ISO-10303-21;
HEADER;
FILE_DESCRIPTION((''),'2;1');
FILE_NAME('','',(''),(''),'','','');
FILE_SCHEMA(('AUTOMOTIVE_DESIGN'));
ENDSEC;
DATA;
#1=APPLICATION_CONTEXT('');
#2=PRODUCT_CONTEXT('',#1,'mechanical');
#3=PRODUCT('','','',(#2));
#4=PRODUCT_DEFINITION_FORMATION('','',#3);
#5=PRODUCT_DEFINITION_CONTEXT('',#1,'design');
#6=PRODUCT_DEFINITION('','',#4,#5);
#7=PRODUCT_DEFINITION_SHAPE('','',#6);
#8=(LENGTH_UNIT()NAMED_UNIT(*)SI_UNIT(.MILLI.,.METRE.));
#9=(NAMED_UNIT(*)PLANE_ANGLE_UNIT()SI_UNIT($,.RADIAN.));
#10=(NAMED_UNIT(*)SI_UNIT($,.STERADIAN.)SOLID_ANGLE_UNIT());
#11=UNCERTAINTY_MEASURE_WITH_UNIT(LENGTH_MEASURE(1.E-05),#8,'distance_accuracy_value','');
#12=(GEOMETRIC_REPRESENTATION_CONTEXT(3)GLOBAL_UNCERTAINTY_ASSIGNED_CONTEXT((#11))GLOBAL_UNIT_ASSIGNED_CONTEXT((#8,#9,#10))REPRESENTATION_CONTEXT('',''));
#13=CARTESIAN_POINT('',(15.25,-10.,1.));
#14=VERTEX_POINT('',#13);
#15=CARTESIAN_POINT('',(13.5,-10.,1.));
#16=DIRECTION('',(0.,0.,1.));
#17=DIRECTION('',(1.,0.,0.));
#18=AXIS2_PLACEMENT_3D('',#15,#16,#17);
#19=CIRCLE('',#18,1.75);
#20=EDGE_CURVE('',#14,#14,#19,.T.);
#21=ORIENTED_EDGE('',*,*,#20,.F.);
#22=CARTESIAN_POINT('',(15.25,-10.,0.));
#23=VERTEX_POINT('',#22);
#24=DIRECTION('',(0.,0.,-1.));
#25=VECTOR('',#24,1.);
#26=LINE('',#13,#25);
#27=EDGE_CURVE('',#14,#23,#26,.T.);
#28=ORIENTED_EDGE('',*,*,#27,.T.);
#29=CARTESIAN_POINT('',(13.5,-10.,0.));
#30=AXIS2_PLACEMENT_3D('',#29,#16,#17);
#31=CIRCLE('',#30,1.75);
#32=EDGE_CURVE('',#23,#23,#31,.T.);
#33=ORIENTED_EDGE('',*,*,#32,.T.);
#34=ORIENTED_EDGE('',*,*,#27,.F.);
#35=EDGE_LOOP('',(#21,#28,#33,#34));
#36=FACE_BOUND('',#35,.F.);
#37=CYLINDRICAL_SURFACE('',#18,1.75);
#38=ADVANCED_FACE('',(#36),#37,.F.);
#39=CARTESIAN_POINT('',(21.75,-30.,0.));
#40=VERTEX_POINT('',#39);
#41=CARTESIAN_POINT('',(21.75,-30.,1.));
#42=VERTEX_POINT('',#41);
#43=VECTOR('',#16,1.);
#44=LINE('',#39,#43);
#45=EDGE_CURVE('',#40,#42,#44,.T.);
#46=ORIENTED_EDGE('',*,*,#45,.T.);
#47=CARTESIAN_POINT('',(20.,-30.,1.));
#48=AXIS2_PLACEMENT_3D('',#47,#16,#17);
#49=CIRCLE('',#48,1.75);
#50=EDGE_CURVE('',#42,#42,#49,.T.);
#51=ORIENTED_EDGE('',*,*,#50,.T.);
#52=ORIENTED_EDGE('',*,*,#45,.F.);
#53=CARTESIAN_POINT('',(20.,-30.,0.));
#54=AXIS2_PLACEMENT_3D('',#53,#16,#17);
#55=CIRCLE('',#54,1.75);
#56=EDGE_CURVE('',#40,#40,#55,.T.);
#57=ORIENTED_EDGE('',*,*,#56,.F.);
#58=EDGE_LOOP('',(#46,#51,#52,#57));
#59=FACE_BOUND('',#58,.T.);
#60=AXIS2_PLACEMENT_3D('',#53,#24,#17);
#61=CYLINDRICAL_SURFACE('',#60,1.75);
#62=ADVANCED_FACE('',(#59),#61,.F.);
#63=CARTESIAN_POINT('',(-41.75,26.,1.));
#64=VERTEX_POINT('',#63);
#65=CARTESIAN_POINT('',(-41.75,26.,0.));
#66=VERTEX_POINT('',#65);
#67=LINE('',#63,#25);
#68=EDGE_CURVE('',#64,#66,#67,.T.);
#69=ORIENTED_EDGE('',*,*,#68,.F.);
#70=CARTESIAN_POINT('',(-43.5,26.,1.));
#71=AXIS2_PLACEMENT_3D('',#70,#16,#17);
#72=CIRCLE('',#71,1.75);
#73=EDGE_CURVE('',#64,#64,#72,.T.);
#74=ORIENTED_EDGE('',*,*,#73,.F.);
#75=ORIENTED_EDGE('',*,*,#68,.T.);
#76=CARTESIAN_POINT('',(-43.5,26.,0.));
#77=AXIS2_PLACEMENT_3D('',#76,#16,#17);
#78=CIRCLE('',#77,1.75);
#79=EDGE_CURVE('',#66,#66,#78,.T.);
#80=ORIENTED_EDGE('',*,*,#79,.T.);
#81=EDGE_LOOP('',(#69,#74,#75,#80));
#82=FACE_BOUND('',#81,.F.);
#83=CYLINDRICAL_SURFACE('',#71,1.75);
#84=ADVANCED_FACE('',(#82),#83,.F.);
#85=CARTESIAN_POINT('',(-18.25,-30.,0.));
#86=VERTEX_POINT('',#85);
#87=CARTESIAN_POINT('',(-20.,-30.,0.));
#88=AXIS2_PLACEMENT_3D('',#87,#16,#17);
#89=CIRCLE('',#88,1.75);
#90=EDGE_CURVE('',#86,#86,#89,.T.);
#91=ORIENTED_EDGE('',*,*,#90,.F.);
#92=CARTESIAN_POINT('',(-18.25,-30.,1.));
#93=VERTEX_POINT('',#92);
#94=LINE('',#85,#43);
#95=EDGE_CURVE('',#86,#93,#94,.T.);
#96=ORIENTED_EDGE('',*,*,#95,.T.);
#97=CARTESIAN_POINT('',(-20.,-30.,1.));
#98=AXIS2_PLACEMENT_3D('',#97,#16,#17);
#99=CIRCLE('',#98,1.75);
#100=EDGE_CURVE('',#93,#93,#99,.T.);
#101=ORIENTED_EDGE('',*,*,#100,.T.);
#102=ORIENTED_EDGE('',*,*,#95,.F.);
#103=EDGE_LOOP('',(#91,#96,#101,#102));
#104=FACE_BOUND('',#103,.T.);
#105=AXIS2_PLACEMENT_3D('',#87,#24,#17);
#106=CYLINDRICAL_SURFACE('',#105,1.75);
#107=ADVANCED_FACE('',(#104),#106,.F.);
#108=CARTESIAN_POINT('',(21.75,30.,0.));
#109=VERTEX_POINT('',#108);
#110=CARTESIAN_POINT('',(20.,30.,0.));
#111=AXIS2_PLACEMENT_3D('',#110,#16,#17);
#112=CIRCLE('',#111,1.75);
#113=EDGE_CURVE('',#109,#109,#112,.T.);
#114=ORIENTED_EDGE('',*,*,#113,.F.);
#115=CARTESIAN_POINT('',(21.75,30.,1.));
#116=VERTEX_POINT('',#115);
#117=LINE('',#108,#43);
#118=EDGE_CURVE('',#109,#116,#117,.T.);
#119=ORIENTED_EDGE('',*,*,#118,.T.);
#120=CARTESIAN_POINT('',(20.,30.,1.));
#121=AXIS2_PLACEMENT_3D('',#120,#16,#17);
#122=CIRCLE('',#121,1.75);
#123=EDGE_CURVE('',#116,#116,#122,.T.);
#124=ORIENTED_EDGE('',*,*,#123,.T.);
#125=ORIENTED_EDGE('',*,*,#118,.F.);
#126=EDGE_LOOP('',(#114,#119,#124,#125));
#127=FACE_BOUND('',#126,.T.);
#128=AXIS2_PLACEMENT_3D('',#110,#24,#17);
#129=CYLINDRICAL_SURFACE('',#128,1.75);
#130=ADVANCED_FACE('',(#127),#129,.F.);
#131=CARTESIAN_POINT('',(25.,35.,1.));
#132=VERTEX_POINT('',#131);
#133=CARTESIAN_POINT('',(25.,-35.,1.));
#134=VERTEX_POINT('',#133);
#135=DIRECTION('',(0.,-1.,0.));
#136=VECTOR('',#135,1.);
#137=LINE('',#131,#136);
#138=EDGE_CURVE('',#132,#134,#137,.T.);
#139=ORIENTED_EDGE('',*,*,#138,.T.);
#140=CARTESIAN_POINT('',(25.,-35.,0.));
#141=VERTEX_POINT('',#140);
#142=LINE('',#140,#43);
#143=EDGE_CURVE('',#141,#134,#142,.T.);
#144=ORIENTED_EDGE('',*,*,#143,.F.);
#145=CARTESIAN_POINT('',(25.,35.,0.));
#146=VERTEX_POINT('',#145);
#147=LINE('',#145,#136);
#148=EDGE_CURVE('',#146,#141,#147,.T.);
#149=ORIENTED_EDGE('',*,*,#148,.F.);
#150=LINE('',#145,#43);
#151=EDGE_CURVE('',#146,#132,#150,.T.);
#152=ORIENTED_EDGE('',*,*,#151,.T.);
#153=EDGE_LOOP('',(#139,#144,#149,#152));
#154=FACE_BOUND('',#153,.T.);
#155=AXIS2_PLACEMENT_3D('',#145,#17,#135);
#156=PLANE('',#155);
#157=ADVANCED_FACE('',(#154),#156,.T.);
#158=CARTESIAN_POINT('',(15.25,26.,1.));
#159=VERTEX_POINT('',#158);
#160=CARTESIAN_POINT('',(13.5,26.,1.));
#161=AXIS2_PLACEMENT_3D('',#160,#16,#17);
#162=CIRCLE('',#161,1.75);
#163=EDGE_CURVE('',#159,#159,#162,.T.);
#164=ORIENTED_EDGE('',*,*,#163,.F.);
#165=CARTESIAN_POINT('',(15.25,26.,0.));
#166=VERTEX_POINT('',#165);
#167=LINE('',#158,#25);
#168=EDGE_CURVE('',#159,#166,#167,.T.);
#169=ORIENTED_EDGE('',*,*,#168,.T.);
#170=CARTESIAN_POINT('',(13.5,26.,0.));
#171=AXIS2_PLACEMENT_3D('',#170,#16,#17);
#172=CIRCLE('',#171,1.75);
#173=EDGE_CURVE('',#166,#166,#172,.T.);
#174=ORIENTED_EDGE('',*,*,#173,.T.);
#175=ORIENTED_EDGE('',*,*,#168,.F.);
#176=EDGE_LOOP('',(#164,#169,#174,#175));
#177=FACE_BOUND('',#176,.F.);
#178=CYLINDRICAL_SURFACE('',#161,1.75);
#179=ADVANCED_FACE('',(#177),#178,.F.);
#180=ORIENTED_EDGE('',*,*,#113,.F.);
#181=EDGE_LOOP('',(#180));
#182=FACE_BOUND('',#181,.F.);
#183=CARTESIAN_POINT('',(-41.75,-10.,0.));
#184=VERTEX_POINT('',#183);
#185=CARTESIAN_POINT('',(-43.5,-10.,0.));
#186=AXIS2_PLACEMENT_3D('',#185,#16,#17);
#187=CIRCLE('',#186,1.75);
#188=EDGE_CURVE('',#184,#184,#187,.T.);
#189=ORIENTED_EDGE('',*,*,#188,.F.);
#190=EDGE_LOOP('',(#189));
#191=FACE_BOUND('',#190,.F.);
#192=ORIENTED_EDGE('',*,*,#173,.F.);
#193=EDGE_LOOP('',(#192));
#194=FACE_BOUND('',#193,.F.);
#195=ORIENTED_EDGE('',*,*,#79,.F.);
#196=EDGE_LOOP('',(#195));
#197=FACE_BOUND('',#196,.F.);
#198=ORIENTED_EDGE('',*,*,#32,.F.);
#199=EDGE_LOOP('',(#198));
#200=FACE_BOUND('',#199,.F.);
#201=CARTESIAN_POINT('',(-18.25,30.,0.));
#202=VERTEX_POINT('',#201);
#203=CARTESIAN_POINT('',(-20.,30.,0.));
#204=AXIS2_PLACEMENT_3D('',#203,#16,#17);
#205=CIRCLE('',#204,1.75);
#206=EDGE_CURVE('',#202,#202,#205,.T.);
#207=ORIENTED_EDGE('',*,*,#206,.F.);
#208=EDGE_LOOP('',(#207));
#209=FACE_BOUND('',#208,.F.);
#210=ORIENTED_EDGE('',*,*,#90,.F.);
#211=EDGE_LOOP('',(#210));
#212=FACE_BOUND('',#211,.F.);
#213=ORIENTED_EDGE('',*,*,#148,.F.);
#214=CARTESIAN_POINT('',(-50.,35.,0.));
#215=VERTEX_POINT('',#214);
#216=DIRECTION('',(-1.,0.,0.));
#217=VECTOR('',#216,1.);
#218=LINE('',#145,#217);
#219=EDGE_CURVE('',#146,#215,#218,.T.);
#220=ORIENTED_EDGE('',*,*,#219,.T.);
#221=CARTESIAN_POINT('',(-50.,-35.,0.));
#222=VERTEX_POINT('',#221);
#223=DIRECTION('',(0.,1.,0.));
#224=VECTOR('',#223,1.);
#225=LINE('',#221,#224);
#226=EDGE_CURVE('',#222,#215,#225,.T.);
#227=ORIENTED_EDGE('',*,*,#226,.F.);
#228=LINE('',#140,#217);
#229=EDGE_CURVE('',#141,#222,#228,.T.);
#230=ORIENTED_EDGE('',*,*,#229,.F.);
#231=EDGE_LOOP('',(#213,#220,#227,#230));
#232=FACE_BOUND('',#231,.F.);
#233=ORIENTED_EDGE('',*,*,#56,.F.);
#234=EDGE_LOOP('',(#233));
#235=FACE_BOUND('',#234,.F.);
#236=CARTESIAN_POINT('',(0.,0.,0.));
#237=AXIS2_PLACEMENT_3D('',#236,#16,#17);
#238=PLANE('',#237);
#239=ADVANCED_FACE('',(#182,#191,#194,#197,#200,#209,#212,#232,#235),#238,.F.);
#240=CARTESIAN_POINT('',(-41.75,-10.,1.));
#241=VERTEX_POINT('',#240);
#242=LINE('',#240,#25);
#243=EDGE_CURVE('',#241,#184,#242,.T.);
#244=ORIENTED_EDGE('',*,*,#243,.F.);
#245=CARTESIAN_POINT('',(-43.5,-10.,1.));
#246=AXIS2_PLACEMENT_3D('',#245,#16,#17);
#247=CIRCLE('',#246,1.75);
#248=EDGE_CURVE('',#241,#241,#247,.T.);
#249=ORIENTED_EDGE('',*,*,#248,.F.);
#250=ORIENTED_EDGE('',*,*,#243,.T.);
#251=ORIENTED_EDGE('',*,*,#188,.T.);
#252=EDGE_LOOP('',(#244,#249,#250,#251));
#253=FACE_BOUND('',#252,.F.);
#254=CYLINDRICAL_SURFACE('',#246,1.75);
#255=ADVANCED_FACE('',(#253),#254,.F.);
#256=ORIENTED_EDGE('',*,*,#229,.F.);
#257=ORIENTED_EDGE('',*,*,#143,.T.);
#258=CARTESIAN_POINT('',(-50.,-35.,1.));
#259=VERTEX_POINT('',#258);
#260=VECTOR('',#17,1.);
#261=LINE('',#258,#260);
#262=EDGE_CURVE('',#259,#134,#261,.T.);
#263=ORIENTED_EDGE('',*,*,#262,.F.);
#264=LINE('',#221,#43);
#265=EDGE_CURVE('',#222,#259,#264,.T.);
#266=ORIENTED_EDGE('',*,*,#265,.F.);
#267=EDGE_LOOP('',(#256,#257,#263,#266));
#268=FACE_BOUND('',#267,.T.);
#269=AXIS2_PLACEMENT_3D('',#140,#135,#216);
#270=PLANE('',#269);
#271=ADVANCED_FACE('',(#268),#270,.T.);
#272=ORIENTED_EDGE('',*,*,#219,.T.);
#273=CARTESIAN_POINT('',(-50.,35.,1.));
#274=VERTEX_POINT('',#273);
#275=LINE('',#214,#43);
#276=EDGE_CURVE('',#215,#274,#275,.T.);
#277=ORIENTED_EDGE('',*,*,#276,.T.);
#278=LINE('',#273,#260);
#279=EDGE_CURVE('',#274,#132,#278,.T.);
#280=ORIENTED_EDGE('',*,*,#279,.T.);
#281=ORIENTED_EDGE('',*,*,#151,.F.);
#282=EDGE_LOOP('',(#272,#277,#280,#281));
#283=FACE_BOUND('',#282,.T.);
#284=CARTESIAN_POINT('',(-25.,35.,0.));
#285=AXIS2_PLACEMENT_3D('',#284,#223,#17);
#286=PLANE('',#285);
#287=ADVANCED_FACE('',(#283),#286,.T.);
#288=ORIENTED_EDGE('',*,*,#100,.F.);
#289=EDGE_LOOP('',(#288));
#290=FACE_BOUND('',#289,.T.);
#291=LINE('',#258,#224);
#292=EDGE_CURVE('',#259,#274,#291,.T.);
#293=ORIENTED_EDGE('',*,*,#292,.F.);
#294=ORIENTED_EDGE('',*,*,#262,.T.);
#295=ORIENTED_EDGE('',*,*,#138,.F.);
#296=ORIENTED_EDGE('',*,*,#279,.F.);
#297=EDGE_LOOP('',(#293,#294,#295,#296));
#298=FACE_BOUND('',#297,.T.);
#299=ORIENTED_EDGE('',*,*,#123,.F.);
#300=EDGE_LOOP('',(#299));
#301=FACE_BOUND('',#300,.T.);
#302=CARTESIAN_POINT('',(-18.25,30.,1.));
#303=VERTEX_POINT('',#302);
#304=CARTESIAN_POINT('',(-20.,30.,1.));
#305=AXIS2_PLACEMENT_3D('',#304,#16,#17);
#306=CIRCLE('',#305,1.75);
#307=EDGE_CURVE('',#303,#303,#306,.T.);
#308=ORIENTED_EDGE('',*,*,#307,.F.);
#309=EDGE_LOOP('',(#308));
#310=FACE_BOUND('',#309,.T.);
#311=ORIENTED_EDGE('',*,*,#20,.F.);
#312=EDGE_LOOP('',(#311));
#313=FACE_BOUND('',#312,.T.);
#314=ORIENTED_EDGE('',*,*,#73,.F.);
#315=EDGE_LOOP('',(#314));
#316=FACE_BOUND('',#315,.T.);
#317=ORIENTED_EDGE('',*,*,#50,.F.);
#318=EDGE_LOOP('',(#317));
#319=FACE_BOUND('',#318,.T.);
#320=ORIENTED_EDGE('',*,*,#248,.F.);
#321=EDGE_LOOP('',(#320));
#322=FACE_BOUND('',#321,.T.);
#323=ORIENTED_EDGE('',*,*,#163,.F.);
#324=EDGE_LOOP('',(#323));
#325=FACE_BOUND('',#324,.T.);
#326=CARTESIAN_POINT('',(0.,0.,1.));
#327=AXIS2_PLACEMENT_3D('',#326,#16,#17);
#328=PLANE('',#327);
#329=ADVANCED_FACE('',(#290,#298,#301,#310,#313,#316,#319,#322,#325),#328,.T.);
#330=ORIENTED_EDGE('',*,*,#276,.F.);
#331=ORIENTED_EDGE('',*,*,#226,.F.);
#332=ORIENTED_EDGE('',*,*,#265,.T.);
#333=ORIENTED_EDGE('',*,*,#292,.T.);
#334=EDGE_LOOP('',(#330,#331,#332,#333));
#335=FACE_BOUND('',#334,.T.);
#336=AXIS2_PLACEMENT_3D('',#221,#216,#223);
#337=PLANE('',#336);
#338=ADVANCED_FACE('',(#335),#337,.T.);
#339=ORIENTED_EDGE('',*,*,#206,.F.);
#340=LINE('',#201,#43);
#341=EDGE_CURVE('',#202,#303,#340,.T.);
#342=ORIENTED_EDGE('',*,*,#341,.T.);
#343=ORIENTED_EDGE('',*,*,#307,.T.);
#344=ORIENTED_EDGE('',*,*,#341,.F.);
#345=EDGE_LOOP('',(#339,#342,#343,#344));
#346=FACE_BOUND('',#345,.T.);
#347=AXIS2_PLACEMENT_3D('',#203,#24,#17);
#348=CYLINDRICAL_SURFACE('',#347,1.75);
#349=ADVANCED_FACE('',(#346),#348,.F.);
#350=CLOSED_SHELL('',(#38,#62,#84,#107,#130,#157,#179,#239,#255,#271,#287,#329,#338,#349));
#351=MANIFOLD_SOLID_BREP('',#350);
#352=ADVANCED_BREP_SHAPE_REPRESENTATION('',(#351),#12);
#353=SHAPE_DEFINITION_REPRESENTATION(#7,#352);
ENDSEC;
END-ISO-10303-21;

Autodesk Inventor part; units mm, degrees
ref_plane "YZ Plane" through (0, 0, 0) normal (1, 0, 0) x (0, 1, 0)
ref_plane "XZ Plane" through (0, 0, 0) normal (0, 1, 0) x (-1, 0, 0)
ref_plane "XY Plane" through (0, 0, 0) normal (0, 0, 1) x (1, 0, 0)
sketch "Sketch1" plane through (0, 0, 0) normal (0, 0, 1) x (1, 0, 0)
  line L0 (-25, 35) -> (25, 35)
  line L1 (25, 35) -> (25, -35)
  line L2 (25, -35) -> (-25, -35)
  line L3 (-25, -35) -> (-25, 35)
  line L4 (-25, 35) -> (25, -35) construction
  line L5 (25, 35) -> (-25, -35) construction
  circle A0 centre (-20, 30) radius 1.75
  line L6 (0, 0) -> (0, 8.6163)
  line L7 (0, 0) -> (3.549, 0)
  circle A1 centre (20, 30) radius 1.75
  circle A2 centre (-20, -30) radius 1.75
  circle A3 centre (20, -30) radius 1.75
  line L8 (-50, 35) -> (-25, 35)
  line L9 (-25, 35) -> (-25, -35)
  line L10 (-25, -35) -> (-50, -35)
  line L11 (-50, -35) -> (-50, 35)
  line L12 (-50, 35) -> (-25, -35) construction
  line L13 (-25, 35) -> (-50, -35) construction
  point P0 (-37.5, 0)
  point P1 (25, 25)
  dimension "d0" = 50
  dimension "d1" = 70
  dimension "d12" = 3.5
  dimension "d13" = 5
  dimension "d18" = 5
  dimension "d26" = 70
  dimension "d29" = 50
extrude "Plate1" add sketch "Sketch1" along normal blind 1
sketch "Sketch3" plane through (0, 0, 1) normal (0, 0, 1) x (1, 0, 0)
  line L0 (-43.5, 26) -> (13.5, 26) construction
  line L1 (13.5, 26) -> (13.5, -10) construction
  line L2 (13.5, -10) -> (-43.5, -10) construction
  line L3 (-43.5, -10) -> (-43.5, 26) construction
  line L4 (-43.5, 26) -> (13.5, -10) construction
  line L5 (13.5, 26) -> (-43.5, -10) construction
  circle A0 centre (-43.5, 26) radius 1.75
  circle A1 centre (13.5, 26) radius 1.75
  circle A2 centre (13.5, -10) radius 1.75
  circle A3 centre (-43.5, -10) radius 1.75
  point P0 (-15, 8)
  point P1 (0, 0)
  dimension "d22" = 57
  dimension "d23" = 36
  dimension "d24" = 3.5
  dimension "d30" = 15
  dimension "d32" = 10
extrude "Cut1" cut sketch "Sketch3" against normal blind 1
equation "\"d27\" = 厚度"
equation "\"d2\" = 厚度"
equation "\"折彎半徑\" = 厚度"
equation "\"折彎離隙寬度\" = 厚度"
equation "\"折彎離隙深度\" = 0.5 * 厚度"
equation "\"轉角離隙大小\" = 4 * 厚度"
equation "\"最小剩餘\" = 2 * 厚度"
equation "\"轉移半徑\" = 折彎半徑"
equation "\"Jacobi半徑大小\" = 折彎半徑"
equation "\"間隙大小\" = 厚度"
equation "\"厚度\" = 1"
properties part number "signal_combiner_plate"
